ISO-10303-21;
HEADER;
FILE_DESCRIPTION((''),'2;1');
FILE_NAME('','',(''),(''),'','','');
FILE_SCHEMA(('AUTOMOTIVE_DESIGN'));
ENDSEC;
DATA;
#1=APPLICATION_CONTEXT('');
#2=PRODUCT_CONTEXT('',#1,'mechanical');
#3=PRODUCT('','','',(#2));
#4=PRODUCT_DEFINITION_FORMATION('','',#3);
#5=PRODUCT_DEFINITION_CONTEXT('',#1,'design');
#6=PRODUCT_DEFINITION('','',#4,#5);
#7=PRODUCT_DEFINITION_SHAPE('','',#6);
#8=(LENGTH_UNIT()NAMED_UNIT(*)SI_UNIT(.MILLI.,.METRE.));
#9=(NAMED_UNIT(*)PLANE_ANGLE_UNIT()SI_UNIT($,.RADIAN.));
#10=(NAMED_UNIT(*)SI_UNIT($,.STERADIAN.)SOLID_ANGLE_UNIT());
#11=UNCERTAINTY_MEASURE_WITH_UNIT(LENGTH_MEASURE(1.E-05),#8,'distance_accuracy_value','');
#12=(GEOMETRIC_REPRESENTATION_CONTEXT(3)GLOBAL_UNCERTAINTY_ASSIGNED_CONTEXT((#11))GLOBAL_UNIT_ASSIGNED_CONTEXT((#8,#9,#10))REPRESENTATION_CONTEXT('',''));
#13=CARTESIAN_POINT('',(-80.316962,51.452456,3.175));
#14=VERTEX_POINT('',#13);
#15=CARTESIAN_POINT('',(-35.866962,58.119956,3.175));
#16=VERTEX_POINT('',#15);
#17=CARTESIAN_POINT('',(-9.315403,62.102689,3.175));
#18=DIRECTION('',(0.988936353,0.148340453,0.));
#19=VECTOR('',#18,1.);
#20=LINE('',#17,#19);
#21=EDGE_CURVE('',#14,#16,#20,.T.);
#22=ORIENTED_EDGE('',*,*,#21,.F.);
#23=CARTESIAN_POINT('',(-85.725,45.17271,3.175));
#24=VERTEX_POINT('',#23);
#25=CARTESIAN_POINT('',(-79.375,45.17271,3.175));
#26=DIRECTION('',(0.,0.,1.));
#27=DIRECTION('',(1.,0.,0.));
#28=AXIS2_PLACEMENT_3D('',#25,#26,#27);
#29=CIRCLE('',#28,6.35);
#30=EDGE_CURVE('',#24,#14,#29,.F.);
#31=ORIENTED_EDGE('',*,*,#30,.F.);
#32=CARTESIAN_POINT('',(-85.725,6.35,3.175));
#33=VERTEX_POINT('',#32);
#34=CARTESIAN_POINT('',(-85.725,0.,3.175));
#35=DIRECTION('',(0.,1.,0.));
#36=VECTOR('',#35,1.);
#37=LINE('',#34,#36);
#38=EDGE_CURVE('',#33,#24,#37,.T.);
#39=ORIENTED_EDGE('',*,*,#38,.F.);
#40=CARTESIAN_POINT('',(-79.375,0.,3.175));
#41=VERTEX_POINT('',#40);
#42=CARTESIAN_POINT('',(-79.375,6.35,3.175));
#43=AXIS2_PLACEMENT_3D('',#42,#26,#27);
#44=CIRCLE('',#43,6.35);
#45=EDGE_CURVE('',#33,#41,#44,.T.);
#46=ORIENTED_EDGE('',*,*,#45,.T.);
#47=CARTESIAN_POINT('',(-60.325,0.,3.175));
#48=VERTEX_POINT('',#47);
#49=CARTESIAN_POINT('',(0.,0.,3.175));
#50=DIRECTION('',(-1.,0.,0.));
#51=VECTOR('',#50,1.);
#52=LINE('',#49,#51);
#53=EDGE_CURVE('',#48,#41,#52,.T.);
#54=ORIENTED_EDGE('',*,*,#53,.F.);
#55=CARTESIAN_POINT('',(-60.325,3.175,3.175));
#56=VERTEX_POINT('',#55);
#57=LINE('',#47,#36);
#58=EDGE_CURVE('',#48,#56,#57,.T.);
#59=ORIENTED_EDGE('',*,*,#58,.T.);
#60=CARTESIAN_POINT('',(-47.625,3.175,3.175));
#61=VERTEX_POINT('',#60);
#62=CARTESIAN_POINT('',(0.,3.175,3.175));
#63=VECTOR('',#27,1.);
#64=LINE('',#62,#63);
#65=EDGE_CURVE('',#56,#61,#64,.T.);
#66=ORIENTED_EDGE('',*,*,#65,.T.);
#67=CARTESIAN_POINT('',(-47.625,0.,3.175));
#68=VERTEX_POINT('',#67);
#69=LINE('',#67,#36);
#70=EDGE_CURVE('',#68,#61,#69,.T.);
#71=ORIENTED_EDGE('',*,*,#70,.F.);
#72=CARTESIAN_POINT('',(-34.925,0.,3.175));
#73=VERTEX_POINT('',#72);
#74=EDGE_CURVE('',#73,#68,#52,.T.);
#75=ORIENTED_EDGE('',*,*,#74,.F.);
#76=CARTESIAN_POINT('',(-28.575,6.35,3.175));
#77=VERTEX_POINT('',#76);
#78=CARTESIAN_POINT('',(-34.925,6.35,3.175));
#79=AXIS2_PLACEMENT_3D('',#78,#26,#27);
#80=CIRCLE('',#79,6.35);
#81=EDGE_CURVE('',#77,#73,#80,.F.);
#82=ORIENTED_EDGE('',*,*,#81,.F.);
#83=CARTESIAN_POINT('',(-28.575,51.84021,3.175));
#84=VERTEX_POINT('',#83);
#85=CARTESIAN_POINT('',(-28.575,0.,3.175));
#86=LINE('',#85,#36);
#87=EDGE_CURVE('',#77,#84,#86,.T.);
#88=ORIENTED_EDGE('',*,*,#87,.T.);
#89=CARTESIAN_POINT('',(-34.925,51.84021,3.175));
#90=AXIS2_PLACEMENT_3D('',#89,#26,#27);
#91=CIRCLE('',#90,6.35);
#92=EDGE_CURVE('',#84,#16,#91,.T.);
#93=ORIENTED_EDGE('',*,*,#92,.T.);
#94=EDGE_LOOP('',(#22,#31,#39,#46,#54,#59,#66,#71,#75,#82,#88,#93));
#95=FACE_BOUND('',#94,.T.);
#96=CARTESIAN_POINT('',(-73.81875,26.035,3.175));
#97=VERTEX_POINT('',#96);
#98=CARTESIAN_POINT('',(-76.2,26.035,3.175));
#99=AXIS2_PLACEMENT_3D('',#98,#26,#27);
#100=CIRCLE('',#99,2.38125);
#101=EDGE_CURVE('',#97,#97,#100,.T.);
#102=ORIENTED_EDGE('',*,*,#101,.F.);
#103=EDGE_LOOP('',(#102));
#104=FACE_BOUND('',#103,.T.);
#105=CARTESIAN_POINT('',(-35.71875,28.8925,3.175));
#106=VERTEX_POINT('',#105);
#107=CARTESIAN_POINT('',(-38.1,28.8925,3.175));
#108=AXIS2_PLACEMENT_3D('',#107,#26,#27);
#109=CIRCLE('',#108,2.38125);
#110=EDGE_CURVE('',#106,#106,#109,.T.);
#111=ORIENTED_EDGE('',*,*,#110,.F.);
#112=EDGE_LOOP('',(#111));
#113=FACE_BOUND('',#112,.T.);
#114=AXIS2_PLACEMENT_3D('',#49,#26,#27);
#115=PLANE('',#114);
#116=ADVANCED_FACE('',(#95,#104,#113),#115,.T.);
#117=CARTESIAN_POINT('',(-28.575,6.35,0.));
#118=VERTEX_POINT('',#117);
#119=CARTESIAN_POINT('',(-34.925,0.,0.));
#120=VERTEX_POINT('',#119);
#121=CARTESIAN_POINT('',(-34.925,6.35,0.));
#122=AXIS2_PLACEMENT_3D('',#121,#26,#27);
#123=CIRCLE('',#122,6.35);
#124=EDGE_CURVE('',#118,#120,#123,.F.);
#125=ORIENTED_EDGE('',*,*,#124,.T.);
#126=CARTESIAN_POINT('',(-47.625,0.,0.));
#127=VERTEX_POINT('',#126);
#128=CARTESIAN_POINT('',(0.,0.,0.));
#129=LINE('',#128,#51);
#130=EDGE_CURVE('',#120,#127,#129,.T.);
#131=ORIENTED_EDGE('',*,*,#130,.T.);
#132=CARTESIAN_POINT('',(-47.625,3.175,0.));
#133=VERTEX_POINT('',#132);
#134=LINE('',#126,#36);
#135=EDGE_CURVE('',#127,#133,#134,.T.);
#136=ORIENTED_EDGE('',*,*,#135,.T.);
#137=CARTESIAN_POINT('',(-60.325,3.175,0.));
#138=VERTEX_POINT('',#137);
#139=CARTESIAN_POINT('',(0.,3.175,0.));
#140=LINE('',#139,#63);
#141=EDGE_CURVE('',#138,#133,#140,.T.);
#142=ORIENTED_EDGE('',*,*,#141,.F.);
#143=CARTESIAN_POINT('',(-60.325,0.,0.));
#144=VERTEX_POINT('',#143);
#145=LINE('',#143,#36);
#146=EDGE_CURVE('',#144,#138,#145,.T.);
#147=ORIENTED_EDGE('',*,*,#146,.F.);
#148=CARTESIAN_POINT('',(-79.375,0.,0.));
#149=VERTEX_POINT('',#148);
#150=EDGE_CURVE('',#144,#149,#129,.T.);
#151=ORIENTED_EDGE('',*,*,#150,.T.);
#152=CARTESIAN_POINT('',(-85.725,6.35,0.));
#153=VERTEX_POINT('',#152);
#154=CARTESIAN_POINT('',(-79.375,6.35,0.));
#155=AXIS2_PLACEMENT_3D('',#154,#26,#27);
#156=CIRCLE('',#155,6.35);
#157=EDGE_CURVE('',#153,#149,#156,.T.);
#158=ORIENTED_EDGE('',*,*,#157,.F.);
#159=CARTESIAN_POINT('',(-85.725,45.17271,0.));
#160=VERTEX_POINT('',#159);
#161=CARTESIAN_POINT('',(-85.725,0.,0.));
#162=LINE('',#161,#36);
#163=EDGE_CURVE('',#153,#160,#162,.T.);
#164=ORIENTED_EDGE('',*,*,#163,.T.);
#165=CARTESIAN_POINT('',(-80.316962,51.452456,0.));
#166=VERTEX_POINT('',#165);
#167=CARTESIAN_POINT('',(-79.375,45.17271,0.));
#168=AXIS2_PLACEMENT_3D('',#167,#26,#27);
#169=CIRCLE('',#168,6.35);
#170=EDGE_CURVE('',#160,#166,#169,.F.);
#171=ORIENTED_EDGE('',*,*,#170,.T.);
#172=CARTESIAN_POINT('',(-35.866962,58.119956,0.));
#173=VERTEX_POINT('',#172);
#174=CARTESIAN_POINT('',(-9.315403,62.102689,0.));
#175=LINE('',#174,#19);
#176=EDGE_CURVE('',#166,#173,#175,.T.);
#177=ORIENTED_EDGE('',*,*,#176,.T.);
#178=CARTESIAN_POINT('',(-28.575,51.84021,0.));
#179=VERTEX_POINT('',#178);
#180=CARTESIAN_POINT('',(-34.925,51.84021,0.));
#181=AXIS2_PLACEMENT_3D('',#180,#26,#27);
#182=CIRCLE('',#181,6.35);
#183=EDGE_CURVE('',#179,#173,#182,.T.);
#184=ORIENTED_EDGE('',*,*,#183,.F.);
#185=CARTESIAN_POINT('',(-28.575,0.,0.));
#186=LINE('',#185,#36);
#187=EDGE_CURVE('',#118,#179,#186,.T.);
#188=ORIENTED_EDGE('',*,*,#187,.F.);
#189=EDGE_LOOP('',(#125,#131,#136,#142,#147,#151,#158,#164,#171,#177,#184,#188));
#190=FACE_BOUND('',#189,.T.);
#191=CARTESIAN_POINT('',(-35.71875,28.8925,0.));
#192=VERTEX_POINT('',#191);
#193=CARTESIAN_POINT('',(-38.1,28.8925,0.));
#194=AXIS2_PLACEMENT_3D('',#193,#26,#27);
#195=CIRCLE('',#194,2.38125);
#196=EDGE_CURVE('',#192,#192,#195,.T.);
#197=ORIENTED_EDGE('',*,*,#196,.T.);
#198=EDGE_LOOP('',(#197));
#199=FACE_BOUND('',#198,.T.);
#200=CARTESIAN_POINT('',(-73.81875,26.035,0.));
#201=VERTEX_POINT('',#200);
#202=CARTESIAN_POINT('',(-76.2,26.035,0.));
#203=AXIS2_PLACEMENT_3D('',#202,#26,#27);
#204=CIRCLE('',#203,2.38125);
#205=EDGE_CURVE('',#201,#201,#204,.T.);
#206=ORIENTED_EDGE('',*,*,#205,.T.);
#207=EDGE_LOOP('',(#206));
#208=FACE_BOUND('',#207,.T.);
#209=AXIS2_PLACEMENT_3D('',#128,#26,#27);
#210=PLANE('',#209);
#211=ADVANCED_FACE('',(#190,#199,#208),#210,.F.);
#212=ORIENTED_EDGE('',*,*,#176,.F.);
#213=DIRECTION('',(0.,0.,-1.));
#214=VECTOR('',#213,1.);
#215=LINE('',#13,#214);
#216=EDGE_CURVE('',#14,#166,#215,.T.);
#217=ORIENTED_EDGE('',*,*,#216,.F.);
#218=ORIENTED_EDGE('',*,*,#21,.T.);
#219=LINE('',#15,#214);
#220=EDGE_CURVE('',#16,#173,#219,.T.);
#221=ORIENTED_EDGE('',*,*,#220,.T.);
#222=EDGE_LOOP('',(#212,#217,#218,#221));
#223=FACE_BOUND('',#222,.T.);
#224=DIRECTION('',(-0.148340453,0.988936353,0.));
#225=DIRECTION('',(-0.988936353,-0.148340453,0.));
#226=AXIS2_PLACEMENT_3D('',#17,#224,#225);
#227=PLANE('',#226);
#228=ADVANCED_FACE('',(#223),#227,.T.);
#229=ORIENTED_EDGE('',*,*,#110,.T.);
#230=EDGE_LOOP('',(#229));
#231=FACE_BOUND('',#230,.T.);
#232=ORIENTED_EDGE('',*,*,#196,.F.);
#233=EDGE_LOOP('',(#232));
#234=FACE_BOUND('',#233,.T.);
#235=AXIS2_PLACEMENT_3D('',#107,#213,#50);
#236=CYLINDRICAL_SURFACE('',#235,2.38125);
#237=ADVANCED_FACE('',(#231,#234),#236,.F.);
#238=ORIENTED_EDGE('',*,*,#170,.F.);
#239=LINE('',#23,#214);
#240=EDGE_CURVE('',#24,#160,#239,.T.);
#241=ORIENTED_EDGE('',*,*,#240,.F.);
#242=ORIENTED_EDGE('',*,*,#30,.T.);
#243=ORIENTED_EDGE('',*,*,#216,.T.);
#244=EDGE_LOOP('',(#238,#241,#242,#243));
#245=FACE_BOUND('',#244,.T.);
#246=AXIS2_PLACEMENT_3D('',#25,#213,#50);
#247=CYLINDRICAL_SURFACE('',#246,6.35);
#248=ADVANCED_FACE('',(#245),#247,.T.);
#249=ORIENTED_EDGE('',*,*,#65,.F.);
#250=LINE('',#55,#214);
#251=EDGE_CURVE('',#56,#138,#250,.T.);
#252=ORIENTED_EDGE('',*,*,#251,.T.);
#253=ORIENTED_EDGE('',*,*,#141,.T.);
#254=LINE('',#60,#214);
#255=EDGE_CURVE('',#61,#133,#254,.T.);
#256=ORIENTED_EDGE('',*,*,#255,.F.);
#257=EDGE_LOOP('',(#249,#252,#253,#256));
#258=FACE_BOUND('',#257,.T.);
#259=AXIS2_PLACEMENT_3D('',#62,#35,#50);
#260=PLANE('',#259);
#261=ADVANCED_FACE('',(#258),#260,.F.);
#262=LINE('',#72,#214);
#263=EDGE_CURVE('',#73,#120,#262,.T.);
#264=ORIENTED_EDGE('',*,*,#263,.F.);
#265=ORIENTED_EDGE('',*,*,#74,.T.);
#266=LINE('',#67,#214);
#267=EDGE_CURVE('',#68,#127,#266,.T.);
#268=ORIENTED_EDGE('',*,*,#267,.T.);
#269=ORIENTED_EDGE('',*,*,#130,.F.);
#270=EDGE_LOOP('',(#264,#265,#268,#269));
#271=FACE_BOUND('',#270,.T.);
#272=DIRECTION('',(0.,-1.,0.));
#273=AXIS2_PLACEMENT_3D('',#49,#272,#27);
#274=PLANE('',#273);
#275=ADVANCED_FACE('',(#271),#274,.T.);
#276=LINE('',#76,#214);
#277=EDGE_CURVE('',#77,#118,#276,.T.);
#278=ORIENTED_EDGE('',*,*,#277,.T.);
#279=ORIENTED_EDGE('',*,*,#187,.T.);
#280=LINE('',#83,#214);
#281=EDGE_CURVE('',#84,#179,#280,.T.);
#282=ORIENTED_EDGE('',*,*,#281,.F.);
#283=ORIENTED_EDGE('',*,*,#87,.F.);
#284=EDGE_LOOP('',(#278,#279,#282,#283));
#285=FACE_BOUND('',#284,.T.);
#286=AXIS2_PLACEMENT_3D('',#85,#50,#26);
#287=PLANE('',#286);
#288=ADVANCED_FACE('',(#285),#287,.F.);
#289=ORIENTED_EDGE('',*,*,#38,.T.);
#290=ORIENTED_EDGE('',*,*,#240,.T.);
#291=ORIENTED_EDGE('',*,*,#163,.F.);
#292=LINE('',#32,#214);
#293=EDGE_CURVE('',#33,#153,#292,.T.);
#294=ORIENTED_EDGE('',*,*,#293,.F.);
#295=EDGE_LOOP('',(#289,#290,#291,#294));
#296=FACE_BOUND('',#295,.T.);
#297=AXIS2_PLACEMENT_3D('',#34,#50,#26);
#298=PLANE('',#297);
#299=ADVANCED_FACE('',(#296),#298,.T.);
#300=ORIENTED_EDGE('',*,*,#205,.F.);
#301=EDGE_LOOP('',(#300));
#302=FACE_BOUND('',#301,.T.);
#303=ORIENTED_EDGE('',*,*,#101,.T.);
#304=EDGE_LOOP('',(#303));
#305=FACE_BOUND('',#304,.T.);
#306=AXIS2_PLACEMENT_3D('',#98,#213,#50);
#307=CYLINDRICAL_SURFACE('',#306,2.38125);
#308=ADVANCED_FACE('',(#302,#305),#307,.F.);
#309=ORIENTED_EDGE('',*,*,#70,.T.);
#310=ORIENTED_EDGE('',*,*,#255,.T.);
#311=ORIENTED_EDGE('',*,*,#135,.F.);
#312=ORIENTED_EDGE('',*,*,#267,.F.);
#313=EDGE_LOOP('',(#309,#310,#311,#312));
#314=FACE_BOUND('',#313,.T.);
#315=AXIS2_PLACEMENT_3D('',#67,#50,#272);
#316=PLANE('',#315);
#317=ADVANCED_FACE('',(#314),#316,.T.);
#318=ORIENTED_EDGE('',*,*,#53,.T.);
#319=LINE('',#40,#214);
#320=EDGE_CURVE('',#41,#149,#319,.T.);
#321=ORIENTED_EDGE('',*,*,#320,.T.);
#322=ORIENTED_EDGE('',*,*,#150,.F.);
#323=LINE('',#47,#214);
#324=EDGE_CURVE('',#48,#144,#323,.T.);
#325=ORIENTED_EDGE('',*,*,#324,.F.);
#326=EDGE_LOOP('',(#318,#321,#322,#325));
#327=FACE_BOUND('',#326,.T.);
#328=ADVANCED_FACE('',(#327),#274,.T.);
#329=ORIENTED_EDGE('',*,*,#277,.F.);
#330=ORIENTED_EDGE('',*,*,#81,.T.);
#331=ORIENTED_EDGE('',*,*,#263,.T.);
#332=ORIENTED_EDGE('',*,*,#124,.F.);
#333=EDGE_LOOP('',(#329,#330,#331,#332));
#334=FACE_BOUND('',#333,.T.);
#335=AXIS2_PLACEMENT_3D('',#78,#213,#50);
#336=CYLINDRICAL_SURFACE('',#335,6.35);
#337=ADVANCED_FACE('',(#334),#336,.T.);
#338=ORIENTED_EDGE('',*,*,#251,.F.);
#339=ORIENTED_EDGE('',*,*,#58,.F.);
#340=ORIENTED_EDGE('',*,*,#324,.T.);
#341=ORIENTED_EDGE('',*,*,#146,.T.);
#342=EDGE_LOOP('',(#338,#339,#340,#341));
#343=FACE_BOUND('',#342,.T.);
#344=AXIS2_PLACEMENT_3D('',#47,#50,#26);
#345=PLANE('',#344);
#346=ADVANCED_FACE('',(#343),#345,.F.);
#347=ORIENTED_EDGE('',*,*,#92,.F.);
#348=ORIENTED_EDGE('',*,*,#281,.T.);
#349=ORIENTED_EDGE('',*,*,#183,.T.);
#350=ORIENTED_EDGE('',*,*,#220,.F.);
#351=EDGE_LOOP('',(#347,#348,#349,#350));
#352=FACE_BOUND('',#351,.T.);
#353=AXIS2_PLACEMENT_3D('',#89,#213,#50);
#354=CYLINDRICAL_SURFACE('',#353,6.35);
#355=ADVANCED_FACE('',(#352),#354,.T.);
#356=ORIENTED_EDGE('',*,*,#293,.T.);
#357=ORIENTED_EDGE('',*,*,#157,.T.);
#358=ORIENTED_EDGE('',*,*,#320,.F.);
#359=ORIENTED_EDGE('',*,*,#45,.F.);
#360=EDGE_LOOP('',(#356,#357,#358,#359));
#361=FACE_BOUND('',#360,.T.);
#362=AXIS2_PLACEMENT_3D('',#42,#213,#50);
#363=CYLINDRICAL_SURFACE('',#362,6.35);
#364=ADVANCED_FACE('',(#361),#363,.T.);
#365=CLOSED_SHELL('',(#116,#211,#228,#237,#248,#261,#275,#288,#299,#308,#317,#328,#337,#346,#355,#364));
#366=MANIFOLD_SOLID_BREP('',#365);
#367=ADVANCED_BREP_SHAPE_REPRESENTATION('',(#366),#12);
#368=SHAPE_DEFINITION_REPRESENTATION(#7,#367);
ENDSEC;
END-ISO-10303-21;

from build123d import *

# Parameters (mm, degrees)
BOSS_EXTRUDE1_DEPTH = 3.175


with BuildPart() as part:
    # Sketch1 → Boss-Extrude1 (new body)
    with BuildSketch(Plane.XY):
        with BuildLine():
            Line((-79.375, 0), (-76.2, 0))
            Line((-76.2, 0), (-76.2, 23.65375))
            ThreePointArc((-76.2, 23.65375), (-78.58125, 26.035), (-76.2, 28.41625))
            Line((-76.2, 28.41625), (-76.2, 52.07))
            Line((-76.2, 52.07), (-80.316961876, 51.452455719))
            ThreePointArc((-80.316961876, 51.452455719), (-84.186650336, 49.316442621), (-85.725, 45.172709878))
            Line((-85.725, 45.172709878), (-85.725, 6.35))
            ThreePointArc((-85.725, 6.35), (-83.865128061, 1.859871939), (-79.375, 0))
        make_face()
        with BuildLine():
            Line((-76.2, 0), (-60.325, 0))
            Line((-60.325, 0), (-60.325, 3.175))
            Line((-60.325, 3.175), (-47.625, 3.175))
            Line((-47.625, 3.175), (-47.625, 0))
            Line((-47.625, 0), (-38.1, 0))
            Line((-38.1, 0), (-38.1, 26.51125))
            ThreePointArc((-38.1, 26.51125), (-40.48125, 28.8925), (-38.1, 31.27375))
            Line((-38.1, 31.27375), (-38.1, 57.785))
            Line((-38.1, 57.785), (-76.2, 52.07))
            Line((-76.2, 52.07), (-76.2, 28.41625))
            ThreePointArc((-76.2, 28.41625), (-74.516201977, 27.718798023), (-73.81875, 26.035))
            ThreePointArc((-73.81875, 26.035), (-74.516201977, 24.351201977), (-76.2, 23.65375))
            Line((-76.2, 23.65375), (-76.2, 0))
        make_face()
        with BuildLine():
            Line((-38.1, 26.51125), (-38.1, 0))
            Line((-38.1, 0), (-34.925, 0))
            ThreePointArc((-34.925, 0), (-30.434871939, 1.859871939), (-28.575, 6.35))
            Line((-28.575, 6.35), (-28.575, 51.840209878))
            ThreePointArc((-28.575, 51.840209878), (-30.781267257, 56.651860214), (-35.866961876, 58.119955719))
            Line((-35.866961876, 58.119955719), (-38.1, 57.785))
            Line((-38.1, 57.785), (-38.1, 31.27375))
            ThreePointArc((-38.1, 31.27375), (-36.416201977, 30.576298023), (-35.71875, 28.8925))
            ThreePointArc((-35.71875, 28.8925), (-36.416201977, 27.208701977), (-38.1, 26.51125))
        make_face()
    extrude(amount=BOSS_EXTRUDE1_DEPTH)


solid = part.part
